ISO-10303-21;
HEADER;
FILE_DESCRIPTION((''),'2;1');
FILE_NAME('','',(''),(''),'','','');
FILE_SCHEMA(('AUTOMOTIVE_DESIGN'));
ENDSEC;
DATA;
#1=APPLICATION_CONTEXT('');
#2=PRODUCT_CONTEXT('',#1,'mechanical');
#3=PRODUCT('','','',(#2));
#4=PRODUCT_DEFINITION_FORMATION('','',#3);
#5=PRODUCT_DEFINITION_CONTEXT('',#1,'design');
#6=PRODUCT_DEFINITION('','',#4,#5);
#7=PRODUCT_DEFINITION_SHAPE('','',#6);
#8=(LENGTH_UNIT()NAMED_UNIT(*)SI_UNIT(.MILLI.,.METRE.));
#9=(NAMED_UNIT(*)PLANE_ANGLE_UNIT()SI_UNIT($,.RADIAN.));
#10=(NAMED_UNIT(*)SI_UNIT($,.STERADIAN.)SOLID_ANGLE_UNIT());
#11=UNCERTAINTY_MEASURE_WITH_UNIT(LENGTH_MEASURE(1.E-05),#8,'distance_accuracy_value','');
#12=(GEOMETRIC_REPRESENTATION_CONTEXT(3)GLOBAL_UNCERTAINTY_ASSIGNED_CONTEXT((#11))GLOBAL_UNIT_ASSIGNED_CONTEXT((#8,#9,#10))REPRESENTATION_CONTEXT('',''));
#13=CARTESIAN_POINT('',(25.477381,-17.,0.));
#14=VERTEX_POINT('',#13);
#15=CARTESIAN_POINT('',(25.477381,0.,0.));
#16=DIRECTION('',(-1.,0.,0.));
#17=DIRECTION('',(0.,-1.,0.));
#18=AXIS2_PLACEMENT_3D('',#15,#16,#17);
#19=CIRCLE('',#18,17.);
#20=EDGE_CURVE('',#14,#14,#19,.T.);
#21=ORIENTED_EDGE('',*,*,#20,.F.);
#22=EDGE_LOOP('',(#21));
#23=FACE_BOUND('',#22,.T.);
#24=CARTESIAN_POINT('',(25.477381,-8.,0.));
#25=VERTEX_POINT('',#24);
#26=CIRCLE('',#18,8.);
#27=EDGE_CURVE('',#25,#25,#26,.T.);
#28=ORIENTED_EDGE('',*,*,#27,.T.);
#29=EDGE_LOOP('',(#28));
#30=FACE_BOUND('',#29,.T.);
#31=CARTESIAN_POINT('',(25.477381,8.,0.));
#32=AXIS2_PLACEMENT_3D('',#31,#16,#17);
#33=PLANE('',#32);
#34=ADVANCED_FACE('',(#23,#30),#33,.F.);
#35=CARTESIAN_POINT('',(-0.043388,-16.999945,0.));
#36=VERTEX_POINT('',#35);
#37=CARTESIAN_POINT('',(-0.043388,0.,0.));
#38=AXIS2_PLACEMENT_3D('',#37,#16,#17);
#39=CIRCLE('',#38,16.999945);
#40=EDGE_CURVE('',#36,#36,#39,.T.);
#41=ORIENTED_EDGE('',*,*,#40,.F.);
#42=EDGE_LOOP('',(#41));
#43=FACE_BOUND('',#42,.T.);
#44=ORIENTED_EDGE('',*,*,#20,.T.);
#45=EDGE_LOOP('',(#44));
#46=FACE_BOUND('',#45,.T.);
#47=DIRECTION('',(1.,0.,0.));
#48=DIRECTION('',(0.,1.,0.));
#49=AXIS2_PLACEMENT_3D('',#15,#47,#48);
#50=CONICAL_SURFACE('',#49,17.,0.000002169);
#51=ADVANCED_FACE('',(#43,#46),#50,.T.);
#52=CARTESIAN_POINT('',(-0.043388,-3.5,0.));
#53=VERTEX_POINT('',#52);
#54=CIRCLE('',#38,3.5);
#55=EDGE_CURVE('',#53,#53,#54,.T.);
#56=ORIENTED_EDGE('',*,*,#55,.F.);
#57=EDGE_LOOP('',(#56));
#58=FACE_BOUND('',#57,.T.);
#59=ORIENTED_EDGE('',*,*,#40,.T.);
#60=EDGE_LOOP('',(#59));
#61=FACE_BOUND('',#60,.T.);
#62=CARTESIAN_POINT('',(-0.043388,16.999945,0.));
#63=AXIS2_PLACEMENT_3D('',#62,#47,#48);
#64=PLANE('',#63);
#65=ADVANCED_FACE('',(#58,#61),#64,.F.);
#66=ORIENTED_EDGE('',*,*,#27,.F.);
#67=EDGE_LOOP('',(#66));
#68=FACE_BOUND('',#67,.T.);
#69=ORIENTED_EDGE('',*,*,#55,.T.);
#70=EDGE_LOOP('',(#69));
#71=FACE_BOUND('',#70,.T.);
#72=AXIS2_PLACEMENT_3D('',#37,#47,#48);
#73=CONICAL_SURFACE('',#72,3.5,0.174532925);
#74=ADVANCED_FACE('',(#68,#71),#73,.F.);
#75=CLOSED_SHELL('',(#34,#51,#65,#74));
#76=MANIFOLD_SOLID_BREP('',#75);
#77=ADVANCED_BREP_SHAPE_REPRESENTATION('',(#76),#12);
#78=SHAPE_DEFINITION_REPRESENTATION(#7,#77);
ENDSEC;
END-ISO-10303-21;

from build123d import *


with BuildPart() as part:
    # Sketch2 → Revolve1 (revolve)
    with BuildSketch(Plane.XY, mode=Mode.PRIVATE) as revolve1_sk:
        Polygon((-0.04338756, 16.999944633), (-0.04338756, 3.5), (25.477380628, 8), (25.477380628, 17), align=None)
    revolve(revolve1_sk.sketch.rotate(Axis((0.017017034, 0, 0), (1, 0, 0)), 180), axis=Axis((0.017017034, 0, 0), (1, 0, 0)))


solid = part.part
